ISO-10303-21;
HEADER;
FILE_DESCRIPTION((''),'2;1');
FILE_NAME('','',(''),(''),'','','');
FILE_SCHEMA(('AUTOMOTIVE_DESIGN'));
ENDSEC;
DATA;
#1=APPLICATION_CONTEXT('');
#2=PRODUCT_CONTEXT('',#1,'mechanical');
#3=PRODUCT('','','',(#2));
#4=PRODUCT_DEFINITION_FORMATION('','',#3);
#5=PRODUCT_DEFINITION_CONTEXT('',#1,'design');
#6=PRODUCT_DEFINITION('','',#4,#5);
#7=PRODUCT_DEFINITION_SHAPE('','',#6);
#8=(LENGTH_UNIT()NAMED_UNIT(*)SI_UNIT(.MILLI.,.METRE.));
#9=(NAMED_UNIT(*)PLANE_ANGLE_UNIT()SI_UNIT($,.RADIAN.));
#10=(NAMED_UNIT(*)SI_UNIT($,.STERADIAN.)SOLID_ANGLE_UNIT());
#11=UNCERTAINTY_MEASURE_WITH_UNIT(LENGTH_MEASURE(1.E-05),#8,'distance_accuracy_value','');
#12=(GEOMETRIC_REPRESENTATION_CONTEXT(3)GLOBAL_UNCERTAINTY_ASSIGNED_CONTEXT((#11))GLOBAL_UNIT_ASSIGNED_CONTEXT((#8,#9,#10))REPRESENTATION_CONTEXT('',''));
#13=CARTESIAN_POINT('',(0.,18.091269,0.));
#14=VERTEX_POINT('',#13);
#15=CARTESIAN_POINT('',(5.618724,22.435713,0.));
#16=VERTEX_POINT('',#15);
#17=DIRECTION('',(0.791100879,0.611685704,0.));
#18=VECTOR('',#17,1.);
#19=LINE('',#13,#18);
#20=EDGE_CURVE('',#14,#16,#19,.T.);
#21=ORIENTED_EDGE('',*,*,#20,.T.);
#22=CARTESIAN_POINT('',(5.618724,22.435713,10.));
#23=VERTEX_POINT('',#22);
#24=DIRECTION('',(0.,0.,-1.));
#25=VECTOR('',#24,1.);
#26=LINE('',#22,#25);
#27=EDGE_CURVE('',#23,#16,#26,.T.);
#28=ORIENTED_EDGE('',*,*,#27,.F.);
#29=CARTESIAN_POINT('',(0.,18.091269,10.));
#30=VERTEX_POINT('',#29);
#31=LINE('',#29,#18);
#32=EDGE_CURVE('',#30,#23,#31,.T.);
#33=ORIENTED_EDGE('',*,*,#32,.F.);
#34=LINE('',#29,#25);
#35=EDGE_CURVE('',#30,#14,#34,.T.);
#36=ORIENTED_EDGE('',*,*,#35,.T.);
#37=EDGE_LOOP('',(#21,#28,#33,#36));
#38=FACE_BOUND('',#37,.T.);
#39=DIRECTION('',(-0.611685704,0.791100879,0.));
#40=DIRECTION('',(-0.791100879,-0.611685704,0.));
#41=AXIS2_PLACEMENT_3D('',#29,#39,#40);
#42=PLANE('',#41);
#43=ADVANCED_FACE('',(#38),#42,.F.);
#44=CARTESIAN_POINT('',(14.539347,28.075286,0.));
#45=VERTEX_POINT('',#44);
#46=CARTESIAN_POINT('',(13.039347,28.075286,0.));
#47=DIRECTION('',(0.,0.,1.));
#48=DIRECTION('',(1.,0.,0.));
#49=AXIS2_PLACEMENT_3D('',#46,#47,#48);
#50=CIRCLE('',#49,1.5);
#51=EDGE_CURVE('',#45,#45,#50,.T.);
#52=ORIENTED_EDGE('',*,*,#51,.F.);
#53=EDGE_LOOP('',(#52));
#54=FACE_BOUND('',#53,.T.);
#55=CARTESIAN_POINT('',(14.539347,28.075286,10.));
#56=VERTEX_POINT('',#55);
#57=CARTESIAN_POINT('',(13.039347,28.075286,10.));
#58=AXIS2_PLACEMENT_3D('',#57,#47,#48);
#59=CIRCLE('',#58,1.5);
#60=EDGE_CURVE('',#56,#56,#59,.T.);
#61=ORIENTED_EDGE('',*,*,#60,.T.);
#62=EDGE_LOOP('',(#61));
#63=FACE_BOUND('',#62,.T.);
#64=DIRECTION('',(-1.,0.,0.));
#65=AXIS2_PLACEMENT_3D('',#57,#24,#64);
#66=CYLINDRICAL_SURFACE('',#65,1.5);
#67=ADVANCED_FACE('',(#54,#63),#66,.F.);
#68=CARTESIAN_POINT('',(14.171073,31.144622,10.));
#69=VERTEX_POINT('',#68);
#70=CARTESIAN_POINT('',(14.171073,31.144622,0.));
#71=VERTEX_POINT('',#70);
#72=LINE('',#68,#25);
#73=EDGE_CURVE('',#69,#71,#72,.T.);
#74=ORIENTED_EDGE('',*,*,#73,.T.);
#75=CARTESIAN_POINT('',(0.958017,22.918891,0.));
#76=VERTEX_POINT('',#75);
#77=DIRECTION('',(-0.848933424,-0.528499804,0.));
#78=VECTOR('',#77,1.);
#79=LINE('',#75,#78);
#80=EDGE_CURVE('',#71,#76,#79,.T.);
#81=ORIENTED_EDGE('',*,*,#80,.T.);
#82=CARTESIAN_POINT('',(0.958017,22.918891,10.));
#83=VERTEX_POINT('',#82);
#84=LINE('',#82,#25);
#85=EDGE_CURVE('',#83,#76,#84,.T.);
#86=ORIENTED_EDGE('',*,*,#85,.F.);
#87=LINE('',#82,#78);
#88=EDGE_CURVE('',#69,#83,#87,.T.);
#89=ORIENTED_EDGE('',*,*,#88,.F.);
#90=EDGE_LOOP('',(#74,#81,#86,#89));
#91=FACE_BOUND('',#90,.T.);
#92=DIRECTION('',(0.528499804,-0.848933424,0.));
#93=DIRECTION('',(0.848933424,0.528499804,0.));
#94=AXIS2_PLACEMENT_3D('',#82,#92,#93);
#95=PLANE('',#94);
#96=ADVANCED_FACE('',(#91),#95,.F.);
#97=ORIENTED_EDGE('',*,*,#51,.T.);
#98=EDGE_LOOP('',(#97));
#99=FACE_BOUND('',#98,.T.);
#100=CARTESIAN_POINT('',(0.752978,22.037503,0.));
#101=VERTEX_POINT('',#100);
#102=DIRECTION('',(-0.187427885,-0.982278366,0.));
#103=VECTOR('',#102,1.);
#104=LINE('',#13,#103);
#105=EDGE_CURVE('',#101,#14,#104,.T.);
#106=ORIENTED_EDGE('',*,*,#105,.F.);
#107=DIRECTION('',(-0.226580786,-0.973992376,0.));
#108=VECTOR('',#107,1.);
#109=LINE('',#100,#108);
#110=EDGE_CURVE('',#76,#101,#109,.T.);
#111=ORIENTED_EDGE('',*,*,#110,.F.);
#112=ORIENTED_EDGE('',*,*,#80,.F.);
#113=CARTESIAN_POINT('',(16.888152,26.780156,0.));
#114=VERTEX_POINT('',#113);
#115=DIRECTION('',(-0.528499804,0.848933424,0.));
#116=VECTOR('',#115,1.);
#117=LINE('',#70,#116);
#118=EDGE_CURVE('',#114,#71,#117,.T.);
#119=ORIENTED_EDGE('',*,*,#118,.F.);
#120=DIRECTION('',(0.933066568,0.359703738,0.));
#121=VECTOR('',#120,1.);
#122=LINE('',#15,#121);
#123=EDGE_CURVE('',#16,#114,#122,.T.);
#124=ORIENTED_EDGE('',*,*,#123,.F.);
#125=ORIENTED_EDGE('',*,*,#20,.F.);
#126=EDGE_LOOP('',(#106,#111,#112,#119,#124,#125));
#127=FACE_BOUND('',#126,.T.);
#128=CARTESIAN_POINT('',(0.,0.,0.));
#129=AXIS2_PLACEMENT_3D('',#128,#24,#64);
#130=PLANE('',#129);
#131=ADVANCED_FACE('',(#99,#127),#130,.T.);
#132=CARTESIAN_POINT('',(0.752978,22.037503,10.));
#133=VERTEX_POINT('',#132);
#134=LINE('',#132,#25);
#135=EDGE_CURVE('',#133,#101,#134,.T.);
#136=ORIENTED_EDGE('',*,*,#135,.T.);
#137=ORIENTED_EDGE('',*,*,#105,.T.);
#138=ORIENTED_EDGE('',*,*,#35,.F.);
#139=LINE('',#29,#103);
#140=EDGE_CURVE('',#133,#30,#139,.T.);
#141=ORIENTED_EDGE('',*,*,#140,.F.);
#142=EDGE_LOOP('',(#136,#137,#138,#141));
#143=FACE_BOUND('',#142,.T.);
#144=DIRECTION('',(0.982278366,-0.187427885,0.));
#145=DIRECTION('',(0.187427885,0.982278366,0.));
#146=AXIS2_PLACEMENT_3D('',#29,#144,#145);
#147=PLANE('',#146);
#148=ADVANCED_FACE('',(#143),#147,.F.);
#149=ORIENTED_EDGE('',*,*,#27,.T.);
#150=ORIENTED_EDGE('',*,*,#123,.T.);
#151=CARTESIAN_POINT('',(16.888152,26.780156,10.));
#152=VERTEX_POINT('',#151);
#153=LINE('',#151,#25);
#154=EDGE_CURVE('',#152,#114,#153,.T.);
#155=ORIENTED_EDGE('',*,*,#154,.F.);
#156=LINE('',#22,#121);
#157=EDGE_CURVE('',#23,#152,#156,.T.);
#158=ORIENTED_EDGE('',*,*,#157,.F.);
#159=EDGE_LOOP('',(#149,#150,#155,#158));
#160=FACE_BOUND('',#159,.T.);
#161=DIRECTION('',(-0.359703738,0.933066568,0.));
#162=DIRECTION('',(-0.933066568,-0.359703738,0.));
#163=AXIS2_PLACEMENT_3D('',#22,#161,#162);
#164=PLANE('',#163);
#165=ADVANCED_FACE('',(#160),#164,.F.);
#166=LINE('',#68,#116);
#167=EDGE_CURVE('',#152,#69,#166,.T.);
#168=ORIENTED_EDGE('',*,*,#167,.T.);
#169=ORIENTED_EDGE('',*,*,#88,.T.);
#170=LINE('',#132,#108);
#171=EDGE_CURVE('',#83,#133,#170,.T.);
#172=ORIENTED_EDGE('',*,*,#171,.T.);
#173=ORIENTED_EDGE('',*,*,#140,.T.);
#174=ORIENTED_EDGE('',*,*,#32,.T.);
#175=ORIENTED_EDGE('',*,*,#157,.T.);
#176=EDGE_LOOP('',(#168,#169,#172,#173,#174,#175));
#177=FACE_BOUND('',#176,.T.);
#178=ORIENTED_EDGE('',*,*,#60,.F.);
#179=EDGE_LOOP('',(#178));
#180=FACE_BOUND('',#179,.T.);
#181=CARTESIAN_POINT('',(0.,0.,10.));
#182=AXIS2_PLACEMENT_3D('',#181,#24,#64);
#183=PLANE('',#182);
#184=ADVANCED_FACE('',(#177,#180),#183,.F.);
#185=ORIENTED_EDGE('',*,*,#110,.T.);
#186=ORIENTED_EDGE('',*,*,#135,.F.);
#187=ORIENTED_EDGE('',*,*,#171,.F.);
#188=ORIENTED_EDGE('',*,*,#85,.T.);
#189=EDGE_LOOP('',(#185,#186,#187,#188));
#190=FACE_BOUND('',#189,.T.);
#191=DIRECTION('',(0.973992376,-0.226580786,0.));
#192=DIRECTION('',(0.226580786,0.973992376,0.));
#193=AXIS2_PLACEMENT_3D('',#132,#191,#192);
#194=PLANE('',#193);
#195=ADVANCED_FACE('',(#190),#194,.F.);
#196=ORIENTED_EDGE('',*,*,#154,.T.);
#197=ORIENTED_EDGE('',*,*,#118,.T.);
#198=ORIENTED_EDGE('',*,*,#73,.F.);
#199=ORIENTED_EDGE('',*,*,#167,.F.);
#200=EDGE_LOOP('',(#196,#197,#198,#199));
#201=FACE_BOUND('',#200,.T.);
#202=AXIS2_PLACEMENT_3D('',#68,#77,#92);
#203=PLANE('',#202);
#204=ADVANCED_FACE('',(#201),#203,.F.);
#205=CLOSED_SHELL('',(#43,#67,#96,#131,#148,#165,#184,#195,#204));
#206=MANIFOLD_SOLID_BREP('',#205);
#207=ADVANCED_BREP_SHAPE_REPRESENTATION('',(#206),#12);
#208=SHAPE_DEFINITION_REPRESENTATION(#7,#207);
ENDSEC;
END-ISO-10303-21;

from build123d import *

# Parameters (mm, degrees)
SKETCH_1_R      = 1.5
EXTRUDE_1_DEPTH = 10


with BuildPart() as part:
    # 草图1 → 凸台-拉伸1 (new body)
    with BuildSketch(Plane.XY):
        Polygon((0, 18.091268752), (0.752978388, 22.037503228), (0.958016554, 22.91889134), (14.171072765, 31.144621906), (16.888151818, 26.780156286), (5.618724226, 22.435712519), align=None)
        with Locations((13.039346851, 28.075285518)):
            Circle(SKETCH_1_R, mode=Mode.SUBTRACT)
    extrude(amount=EXTRUDE_1_DEPTH)


solid = part.part
